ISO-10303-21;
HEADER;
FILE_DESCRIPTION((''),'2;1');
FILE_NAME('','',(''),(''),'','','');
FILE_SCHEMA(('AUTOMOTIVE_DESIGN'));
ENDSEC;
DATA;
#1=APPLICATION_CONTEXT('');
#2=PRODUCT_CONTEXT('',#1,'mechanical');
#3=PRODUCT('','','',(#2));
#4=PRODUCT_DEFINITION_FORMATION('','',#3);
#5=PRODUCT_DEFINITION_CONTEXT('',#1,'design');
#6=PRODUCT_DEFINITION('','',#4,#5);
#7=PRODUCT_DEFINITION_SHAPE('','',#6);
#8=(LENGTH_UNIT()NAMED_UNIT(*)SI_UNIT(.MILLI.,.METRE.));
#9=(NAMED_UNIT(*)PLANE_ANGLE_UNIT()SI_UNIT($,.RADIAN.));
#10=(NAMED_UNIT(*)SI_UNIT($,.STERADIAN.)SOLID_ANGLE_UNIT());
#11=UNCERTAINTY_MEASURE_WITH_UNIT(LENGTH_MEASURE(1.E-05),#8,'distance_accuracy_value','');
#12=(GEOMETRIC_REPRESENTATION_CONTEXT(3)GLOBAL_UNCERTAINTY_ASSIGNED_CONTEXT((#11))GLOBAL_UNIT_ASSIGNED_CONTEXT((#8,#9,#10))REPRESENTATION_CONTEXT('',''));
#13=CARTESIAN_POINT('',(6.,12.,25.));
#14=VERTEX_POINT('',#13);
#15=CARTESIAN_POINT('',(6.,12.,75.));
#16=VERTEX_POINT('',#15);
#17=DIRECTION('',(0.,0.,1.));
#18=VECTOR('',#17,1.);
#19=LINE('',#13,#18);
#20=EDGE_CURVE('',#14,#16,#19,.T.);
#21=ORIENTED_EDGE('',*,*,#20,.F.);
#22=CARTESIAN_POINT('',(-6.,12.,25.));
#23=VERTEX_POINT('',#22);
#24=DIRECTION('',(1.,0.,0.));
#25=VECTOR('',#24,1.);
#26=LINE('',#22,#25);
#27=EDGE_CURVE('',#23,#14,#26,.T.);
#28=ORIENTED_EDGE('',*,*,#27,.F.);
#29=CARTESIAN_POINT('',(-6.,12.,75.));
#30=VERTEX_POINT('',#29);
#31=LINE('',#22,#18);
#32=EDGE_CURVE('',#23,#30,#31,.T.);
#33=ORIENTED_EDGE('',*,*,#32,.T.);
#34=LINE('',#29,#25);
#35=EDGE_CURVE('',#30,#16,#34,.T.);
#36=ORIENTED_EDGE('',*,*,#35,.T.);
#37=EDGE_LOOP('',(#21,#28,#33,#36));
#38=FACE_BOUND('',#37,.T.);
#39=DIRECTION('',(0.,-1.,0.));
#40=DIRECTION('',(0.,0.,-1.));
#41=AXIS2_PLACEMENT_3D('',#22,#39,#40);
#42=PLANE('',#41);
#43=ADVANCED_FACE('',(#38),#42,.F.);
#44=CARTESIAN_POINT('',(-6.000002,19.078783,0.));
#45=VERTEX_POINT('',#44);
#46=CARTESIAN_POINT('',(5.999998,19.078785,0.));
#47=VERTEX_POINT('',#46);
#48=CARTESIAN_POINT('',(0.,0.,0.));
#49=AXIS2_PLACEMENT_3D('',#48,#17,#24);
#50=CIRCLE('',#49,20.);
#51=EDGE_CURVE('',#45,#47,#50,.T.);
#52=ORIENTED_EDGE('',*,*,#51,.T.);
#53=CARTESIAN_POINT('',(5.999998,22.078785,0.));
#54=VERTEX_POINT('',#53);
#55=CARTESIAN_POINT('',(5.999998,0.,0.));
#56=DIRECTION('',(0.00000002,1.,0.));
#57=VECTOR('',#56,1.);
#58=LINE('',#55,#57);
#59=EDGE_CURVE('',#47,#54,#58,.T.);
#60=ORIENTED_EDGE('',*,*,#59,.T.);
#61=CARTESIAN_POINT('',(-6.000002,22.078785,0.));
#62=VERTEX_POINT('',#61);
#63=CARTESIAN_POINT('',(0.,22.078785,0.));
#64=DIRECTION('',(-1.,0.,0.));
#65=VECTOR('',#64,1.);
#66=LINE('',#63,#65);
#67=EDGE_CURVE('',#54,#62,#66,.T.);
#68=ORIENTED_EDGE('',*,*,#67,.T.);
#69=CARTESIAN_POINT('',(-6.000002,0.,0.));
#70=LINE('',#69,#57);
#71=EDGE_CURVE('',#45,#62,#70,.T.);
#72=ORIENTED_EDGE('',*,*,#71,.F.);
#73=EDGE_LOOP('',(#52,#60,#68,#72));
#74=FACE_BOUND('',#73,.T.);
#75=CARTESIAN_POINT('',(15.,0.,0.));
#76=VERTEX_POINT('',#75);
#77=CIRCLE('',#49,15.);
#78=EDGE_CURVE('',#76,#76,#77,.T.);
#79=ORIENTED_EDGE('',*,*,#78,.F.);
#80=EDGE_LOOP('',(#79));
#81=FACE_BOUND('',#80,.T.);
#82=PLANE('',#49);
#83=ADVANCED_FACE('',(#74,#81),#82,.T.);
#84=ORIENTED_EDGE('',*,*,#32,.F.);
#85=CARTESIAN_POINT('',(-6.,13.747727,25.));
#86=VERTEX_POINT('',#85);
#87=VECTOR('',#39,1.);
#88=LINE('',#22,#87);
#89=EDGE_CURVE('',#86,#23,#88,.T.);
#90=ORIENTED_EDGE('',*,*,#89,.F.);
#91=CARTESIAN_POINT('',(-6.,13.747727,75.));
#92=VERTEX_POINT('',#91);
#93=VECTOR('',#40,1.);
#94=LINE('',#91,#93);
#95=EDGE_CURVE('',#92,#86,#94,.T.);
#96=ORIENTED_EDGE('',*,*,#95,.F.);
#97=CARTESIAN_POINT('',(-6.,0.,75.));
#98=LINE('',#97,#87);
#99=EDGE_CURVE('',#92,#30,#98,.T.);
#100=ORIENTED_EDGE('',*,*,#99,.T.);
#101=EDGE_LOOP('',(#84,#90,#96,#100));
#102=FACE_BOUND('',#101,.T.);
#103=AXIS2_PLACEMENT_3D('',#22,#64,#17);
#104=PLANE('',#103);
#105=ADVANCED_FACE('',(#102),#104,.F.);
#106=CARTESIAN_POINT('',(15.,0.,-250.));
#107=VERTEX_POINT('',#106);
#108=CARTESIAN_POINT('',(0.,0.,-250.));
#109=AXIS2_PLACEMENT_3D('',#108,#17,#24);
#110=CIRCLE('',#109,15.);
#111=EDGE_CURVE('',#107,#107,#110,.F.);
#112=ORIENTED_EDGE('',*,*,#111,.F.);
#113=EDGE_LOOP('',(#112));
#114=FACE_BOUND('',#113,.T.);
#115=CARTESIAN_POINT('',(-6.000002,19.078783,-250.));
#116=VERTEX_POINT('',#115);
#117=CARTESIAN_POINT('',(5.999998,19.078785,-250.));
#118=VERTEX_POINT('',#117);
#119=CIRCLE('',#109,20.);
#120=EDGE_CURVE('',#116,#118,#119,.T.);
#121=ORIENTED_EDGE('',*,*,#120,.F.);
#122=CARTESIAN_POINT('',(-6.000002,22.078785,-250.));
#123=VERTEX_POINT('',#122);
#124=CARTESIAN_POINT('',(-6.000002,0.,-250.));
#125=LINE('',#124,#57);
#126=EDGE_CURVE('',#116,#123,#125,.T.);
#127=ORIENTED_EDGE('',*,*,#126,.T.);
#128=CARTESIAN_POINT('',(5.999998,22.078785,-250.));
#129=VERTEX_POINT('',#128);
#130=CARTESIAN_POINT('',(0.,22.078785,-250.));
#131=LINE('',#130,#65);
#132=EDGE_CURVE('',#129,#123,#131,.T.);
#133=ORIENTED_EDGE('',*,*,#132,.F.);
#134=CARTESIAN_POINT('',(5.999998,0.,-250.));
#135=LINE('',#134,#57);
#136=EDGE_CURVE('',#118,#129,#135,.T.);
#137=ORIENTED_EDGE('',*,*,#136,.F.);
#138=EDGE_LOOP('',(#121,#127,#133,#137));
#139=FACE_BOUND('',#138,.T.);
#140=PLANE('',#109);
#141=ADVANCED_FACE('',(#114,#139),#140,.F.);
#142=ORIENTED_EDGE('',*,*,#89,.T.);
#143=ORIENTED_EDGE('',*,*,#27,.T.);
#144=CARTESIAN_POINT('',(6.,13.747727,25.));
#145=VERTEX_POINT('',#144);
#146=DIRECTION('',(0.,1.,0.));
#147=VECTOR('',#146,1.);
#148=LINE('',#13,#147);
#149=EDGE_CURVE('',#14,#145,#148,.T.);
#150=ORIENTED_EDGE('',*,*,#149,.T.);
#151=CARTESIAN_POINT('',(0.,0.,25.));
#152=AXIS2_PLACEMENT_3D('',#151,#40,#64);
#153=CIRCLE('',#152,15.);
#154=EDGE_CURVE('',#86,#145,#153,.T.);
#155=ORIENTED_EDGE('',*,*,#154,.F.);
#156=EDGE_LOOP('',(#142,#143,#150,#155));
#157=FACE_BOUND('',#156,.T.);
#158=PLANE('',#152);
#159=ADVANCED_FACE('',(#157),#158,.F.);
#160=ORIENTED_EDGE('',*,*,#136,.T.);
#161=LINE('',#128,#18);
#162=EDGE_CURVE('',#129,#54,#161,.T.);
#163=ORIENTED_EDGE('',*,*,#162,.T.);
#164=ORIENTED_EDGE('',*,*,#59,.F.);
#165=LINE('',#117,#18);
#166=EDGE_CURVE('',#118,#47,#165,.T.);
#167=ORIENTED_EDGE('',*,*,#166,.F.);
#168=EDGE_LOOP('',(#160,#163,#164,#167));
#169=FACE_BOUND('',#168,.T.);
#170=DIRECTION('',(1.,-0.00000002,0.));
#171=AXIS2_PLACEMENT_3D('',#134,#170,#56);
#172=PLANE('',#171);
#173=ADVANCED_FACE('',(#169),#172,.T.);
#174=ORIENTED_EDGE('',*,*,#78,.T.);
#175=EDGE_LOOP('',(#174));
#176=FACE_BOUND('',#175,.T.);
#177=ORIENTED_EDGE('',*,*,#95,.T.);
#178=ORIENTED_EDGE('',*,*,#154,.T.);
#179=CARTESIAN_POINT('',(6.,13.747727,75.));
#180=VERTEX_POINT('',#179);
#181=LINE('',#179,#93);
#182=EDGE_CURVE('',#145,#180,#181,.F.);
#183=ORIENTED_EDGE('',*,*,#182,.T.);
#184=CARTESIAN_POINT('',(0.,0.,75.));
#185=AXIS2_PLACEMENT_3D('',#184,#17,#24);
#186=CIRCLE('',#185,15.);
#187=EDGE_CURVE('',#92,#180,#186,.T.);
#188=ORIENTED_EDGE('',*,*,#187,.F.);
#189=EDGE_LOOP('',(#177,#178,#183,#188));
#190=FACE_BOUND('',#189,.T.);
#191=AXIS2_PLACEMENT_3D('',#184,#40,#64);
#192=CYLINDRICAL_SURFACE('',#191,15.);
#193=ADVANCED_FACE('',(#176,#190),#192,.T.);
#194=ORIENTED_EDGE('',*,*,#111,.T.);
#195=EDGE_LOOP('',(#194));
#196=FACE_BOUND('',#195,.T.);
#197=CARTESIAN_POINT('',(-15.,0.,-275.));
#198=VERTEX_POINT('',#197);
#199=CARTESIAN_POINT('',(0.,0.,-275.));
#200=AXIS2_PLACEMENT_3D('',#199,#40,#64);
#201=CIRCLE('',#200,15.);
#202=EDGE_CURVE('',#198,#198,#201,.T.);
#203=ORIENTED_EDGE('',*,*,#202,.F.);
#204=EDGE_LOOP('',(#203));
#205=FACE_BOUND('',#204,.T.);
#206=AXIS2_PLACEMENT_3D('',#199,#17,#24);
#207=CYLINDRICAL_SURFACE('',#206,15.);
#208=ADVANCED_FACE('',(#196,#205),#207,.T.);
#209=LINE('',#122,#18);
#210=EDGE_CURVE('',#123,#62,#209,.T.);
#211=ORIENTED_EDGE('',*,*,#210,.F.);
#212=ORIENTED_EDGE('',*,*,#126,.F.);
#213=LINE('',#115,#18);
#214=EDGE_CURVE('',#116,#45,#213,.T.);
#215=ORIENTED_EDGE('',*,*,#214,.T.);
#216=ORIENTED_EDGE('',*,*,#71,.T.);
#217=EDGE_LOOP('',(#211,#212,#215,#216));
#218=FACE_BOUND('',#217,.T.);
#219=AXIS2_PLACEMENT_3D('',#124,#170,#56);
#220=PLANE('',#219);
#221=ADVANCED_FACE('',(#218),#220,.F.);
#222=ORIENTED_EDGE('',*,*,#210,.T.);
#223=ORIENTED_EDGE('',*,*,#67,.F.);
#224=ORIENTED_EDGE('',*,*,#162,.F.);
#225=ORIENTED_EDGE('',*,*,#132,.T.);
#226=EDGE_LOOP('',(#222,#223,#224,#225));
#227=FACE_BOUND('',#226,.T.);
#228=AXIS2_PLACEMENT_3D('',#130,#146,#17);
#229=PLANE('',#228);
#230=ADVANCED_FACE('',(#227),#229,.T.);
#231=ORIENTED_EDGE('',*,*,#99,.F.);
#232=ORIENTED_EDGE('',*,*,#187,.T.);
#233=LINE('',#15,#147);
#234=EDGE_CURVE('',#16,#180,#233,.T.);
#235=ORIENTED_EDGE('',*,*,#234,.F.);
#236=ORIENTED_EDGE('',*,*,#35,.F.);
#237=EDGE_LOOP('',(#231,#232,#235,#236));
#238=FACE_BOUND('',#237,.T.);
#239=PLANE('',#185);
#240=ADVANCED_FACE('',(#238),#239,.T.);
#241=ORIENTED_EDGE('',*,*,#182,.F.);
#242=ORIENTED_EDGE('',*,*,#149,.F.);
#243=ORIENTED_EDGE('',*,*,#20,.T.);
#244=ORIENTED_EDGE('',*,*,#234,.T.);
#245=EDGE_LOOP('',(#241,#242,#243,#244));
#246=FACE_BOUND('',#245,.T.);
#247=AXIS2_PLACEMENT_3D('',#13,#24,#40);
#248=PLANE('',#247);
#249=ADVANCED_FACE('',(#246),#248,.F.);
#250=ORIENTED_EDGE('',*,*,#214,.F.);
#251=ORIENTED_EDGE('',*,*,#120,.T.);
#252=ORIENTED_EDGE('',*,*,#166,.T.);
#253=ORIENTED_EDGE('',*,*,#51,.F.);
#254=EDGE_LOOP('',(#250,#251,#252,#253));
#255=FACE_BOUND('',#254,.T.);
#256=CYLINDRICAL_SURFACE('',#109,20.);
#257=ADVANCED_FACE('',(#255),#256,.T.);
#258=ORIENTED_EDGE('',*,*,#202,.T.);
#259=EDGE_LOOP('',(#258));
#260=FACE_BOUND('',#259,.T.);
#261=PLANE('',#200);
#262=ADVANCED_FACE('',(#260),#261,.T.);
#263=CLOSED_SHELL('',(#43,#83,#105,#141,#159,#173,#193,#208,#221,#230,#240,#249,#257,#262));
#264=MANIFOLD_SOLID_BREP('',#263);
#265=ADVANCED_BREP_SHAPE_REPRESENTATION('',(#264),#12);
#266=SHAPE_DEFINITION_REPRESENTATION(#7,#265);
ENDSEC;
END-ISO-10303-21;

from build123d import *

# Parameters (mm, degrees)
BOSS_EXTRUDE1_DEPTH = 250
SKETCH2_R           = 15
BOSS_EXTRUDE2_DEPTH = 75
BOSS_EXTRUDE3_START = 25
SKETCH3_R           = 15
BOSS_EXTRUDE3_DEPTH = 25
SKETCH4_W           = 12
SKETCH4_H           = 6
CUT_EXTRUDE1_DEPTH  = 50


with BuildPart() as part:
    # Sketch1 → Boss-Extrude1 (new body)
    with BuildSketch(Plane.XY):
        with BuildLine():
            ThreePointArc((0, -20), (19.76835465, -3.035153115), (5.999998319, 19.078784557))
            Line((5.999998319, 19.078784557), (5.999998378, 22.078784557))
            Line((5.999998378, 22.078784557), (0, 22.078784557))
            Line((0, 22.078784557), (0, -20))
        make_face()
        with BuildLine():
            ThreePointArc((-6.000001681, 19.0787835), (-19.768354383, -3.035154857), (0, -20))
            Line((0, -20), (0, 22.078784557))
            Line((0, 22.078784557), (-6.000001622, 22.078784557))
            Line((-6.000001622, 22.078784557), (-6.000001681, 19.0787835))
        make_face()
    extrude(amount=-BOSS_EXTRUDE1_DEPTH)

    # Sketch2 → Boss-Extrude2 (add)
    with BuildSketch(Plane.XY):
        Circle(SKETCH2_R)
    extrude(amount=BOSS_EXTRUDE2_DEPTH)

    # Sketch3 → Boss-Extrude3 (add)
    with BuildSketch(Plane(origin=(0, 0, -250), x_dir=(-1, 0, 0), z_dir=(0, 0, -1)).offset(BOSS_EXTRUDE3_START)):
        with Locations(Location((0, 0, 0), (0, 0, 180))):
            Circle(SKETCH3_R)
    extrude(amount=-BOSS_EXTRUDE3_DEPTH)

    # Sketch4 → Cut-Extrude1 (cut)
    with BuildSketch(Plane.XY.offset(75)):
        with Locations((0, 15)):
            Rectangle(SKETCH4_W, SKETCH4_H)
    extrude(amount=-CUT_EXTRUDE1_DEPTH, mode=Mode.SUBTRACT)


solid = part.part
